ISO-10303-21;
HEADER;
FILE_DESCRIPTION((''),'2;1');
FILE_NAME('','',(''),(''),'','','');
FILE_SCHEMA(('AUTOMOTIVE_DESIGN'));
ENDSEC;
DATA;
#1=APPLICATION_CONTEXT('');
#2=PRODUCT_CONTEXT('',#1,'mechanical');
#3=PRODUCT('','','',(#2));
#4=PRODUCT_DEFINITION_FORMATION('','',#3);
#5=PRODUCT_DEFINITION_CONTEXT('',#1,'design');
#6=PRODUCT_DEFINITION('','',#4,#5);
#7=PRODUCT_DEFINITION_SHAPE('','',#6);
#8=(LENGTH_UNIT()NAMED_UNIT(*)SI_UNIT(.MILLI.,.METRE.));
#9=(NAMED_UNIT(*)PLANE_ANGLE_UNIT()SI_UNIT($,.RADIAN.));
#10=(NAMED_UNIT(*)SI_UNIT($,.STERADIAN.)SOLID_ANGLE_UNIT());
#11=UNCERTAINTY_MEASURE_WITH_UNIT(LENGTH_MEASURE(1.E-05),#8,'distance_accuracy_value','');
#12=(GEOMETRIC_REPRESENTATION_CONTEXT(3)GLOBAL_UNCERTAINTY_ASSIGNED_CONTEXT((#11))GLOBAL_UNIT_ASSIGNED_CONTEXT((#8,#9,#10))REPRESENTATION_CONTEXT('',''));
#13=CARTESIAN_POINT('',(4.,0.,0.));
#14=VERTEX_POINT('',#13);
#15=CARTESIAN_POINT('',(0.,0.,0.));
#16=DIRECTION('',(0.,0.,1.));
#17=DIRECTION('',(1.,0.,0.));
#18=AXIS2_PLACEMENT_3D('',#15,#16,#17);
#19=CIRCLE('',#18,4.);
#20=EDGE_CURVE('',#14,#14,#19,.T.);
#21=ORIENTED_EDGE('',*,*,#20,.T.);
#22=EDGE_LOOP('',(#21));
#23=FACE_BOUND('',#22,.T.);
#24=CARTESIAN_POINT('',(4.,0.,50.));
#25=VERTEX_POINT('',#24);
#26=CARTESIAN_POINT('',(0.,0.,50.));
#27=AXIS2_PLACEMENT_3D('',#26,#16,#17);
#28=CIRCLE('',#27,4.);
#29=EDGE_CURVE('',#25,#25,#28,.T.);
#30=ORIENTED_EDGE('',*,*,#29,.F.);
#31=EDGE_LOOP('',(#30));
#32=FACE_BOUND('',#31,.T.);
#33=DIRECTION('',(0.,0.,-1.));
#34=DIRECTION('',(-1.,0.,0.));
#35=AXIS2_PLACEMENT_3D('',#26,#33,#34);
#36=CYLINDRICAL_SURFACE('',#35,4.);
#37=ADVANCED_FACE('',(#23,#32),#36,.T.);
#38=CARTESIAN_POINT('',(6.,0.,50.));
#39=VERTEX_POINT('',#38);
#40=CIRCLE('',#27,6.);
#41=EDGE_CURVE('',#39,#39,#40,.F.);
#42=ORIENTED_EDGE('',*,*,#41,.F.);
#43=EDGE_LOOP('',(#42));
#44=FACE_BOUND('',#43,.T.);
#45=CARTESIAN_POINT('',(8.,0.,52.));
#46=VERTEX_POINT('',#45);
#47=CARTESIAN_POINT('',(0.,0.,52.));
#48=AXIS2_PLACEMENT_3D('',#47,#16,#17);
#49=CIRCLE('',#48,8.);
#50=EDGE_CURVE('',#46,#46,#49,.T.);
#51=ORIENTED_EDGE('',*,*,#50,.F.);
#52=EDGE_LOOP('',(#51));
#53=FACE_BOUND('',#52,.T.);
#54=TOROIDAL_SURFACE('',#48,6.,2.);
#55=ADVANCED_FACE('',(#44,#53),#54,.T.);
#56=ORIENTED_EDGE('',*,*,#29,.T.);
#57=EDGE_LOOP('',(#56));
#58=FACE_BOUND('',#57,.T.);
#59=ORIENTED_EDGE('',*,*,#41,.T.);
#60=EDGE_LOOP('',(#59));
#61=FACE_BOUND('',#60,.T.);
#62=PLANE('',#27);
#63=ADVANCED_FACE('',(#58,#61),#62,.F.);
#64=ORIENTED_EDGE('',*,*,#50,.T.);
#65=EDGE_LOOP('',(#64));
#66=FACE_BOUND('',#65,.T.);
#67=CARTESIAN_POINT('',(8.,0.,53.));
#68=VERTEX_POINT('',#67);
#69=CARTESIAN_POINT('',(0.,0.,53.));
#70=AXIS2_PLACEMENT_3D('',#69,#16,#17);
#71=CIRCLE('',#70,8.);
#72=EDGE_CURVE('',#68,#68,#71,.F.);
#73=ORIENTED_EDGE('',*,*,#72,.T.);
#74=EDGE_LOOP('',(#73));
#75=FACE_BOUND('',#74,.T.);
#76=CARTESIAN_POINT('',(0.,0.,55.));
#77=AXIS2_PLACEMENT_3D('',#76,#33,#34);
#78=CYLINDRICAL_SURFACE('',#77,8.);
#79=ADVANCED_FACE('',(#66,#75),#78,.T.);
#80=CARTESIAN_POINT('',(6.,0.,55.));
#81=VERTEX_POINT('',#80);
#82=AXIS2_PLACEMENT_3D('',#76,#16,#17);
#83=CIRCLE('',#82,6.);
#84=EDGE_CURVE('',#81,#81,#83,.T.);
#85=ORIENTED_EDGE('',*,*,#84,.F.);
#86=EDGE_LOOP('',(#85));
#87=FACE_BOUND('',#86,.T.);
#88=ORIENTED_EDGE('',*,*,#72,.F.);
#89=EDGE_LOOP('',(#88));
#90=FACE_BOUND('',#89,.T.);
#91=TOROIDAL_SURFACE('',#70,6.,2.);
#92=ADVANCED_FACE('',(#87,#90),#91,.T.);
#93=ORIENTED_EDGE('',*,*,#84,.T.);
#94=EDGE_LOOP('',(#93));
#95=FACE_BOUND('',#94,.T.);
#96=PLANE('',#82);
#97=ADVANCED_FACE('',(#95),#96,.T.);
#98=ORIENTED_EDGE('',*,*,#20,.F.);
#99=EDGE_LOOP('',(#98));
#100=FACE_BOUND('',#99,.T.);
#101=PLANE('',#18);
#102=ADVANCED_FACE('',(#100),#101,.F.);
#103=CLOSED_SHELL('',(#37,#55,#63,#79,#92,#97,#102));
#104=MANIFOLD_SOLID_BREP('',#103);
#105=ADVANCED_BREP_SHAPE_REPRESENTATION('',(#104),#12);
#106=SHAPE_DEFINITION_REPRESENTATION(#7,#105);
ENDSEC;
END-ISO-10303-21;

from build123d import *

# Parameters (mm, degrees)
SKETCH1_R           = 4
BOSS_EXTRUDE1_DEPTH = 50
SKETCH2_R           = 8
BOSS_EXTRUDE2_DEPTH = 5
FILLET2_R           = 2


with BuildPart() as part:
    # Sketch1 → Boss-Extrude1 (new body)
    with BuildSketch(Plane.XY):
        Circle(SKETCH1_R)
    extrude(amount=BOSS_EXTRUDE1_DEPTH)

    # Sketch2 → Boss-Extrude2 (add)
    with BuildSketch(Plane.XY.offset(50)):
        Circle(SKETCH2_R)
    extrude(amount=BOSS_EXTRUDE2_DEPTH)

    # Fillet2
    fillet2_edges = [part.edges().sort_by_distance(p)[0] for p in [
        (-8, 0, 50),
        (-8, 0, 55),
    ]]
    fillet(fillet2_edges, radius=FILLET2_R)


solid = part.part
